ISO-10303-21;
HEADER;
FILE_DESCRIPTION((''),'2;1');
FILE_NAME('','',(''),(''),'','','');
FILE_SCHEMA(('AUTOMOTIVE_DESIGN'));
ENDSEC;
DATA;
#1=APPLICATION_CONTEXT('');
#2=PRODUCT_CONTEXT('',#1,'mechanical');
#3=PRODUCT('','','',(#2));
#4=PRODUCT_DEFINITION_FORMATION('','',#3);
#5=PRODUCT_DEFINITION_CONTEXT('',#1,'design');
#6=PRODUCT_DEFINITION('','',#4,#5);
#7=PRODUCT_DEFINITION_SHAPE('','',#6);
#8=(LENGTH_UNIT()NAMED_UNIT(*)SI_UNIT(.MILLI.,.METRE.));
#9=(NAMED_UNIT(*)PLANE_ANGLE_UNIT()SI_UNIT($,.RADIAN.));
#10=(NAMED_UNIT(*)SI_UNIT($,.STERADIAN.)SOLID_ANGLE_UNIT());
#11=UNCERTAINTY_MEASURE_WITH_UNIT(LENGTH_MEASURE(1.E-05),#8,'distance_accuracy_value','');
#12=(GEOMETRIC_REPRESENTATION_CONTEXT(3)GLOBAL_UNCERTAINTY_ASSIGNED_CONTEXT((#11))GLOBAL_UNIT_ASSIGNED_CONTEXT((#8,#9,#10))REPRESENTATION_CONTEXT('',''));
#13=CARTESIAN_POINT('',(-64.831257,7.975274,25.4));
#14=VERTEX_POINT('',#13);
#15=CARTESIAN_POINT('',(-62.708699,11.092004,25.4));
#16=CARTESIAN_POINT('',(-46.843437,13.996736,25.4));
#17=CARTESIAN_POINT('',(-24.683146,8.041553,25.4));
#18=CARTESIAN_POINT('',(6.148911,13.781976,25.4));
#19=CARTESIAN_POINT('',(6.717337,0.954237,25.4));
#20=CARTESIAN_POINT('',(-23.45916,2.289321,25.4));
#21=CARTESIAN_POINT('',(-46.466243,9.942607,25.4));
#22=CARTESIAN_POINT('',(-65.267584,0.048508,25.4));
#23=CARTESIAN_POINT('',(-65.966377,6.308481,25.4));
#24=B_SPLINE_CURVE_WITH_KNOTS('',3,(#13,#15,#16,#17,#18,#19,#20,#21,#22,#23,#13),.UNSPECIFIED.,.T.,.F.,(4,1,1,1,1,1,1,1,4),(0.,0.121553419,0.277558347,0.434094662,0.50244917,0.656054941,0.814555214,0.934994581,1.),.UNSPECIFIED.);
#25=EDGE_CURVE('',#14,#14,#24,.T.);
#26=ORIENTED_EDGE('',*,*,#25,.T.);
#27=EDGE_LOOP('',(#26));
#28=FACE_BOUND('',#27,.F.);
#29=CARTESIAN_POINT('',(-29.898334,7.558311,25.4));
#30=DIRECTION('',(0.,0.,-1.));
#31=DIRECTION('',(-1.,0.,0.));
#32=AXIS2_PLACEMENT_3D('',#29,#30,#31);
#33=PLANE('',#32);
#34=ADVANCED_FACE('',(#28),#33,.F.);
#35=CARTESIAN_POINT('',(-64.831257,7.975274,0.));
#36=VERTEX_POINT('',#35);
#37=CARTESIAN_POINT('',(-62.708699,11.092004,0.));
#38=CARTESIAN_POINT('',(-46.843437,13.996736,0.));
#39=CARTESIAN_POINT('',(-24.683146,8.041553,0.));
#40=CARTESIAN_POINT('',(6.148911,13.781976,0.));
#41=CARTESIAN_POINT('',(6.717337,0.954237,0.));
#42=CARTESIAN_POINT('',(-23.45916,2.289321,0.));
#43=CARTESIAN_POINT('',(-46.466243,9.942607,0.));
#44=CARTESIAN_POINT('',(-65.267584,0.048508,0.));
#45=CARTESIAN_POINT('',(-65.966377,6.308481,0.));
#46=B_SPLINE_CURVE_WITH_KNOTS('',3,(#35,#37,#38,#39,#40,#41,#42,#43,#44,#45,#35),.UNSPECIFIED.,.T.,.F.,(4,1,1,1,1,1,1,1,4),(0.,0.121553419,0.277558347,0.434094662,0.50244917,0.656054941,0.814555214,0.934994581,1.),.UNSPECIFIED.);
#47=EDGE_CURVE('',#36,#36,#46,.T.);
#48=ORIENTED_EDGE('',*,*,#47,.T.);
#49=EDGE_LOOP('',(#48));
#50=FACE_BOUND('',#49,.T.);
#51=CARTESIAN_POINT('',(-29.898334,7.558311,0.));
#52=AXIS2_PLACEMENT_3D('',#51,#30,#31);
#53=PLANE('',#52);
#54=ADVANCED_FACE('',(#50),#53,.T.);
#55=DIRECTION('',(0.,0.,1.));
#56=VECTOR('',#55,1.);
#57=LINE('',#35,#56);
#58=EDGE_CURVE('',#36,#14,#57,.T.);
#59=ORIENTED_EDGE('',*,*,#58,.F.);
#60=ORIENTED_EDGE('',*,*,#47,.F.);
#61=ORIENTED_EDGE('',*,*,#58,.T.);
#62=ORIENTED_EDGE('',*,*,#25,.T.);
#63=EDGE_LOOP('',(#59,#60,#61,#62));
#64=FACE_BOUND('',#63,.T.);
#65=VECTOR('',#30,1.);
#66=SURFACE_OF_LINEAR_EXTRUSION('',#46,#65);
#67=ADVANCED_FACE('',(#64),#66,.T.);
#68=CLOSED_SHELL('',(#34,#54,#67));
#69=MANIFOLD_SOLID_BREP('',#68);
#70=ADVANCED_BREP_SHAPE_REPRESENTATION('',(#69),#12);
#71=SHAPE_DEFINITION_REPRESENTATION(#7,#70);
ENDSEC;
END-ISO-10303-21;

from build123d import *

# Parameters (mm, degrees)
F1_DEPTH = 25.4


with BuildPart() as f1:
    # F0 (on Top) → F1 (new body)
    with BuildSketch(Plane.XY):
        with BuildLine():
            add(Edge.make_bspline(
                [(-64.8312568665, 7.9752737656), (-62.7086988233, 11.0920042347), (-46.8434367223, 13.9967363181), (-24.6831456681, 8.0415526225), (6.1489111174, 13.7819759278), (6.7173373439, 0.9542371843), (-23.4591599737, 2.2893206381), (-46.4662433216, 9.9426069206), (-65.2675843487, 0.0485080013), (-65.9663773412, 6.3084809158), (-64.8312568665, 7.9752737656)],
                knots=[0, 0, 0, 0, 0.1215534195, 0.2775583468, 0.4340946616, 0.5024491697, 0.6560549406, 0.8145552141, 0.9349945809, 1, 1, 1, 1], degree=3))
        make_face()
    extrude(amount=F1_DEPTH)


solid = f1.part
